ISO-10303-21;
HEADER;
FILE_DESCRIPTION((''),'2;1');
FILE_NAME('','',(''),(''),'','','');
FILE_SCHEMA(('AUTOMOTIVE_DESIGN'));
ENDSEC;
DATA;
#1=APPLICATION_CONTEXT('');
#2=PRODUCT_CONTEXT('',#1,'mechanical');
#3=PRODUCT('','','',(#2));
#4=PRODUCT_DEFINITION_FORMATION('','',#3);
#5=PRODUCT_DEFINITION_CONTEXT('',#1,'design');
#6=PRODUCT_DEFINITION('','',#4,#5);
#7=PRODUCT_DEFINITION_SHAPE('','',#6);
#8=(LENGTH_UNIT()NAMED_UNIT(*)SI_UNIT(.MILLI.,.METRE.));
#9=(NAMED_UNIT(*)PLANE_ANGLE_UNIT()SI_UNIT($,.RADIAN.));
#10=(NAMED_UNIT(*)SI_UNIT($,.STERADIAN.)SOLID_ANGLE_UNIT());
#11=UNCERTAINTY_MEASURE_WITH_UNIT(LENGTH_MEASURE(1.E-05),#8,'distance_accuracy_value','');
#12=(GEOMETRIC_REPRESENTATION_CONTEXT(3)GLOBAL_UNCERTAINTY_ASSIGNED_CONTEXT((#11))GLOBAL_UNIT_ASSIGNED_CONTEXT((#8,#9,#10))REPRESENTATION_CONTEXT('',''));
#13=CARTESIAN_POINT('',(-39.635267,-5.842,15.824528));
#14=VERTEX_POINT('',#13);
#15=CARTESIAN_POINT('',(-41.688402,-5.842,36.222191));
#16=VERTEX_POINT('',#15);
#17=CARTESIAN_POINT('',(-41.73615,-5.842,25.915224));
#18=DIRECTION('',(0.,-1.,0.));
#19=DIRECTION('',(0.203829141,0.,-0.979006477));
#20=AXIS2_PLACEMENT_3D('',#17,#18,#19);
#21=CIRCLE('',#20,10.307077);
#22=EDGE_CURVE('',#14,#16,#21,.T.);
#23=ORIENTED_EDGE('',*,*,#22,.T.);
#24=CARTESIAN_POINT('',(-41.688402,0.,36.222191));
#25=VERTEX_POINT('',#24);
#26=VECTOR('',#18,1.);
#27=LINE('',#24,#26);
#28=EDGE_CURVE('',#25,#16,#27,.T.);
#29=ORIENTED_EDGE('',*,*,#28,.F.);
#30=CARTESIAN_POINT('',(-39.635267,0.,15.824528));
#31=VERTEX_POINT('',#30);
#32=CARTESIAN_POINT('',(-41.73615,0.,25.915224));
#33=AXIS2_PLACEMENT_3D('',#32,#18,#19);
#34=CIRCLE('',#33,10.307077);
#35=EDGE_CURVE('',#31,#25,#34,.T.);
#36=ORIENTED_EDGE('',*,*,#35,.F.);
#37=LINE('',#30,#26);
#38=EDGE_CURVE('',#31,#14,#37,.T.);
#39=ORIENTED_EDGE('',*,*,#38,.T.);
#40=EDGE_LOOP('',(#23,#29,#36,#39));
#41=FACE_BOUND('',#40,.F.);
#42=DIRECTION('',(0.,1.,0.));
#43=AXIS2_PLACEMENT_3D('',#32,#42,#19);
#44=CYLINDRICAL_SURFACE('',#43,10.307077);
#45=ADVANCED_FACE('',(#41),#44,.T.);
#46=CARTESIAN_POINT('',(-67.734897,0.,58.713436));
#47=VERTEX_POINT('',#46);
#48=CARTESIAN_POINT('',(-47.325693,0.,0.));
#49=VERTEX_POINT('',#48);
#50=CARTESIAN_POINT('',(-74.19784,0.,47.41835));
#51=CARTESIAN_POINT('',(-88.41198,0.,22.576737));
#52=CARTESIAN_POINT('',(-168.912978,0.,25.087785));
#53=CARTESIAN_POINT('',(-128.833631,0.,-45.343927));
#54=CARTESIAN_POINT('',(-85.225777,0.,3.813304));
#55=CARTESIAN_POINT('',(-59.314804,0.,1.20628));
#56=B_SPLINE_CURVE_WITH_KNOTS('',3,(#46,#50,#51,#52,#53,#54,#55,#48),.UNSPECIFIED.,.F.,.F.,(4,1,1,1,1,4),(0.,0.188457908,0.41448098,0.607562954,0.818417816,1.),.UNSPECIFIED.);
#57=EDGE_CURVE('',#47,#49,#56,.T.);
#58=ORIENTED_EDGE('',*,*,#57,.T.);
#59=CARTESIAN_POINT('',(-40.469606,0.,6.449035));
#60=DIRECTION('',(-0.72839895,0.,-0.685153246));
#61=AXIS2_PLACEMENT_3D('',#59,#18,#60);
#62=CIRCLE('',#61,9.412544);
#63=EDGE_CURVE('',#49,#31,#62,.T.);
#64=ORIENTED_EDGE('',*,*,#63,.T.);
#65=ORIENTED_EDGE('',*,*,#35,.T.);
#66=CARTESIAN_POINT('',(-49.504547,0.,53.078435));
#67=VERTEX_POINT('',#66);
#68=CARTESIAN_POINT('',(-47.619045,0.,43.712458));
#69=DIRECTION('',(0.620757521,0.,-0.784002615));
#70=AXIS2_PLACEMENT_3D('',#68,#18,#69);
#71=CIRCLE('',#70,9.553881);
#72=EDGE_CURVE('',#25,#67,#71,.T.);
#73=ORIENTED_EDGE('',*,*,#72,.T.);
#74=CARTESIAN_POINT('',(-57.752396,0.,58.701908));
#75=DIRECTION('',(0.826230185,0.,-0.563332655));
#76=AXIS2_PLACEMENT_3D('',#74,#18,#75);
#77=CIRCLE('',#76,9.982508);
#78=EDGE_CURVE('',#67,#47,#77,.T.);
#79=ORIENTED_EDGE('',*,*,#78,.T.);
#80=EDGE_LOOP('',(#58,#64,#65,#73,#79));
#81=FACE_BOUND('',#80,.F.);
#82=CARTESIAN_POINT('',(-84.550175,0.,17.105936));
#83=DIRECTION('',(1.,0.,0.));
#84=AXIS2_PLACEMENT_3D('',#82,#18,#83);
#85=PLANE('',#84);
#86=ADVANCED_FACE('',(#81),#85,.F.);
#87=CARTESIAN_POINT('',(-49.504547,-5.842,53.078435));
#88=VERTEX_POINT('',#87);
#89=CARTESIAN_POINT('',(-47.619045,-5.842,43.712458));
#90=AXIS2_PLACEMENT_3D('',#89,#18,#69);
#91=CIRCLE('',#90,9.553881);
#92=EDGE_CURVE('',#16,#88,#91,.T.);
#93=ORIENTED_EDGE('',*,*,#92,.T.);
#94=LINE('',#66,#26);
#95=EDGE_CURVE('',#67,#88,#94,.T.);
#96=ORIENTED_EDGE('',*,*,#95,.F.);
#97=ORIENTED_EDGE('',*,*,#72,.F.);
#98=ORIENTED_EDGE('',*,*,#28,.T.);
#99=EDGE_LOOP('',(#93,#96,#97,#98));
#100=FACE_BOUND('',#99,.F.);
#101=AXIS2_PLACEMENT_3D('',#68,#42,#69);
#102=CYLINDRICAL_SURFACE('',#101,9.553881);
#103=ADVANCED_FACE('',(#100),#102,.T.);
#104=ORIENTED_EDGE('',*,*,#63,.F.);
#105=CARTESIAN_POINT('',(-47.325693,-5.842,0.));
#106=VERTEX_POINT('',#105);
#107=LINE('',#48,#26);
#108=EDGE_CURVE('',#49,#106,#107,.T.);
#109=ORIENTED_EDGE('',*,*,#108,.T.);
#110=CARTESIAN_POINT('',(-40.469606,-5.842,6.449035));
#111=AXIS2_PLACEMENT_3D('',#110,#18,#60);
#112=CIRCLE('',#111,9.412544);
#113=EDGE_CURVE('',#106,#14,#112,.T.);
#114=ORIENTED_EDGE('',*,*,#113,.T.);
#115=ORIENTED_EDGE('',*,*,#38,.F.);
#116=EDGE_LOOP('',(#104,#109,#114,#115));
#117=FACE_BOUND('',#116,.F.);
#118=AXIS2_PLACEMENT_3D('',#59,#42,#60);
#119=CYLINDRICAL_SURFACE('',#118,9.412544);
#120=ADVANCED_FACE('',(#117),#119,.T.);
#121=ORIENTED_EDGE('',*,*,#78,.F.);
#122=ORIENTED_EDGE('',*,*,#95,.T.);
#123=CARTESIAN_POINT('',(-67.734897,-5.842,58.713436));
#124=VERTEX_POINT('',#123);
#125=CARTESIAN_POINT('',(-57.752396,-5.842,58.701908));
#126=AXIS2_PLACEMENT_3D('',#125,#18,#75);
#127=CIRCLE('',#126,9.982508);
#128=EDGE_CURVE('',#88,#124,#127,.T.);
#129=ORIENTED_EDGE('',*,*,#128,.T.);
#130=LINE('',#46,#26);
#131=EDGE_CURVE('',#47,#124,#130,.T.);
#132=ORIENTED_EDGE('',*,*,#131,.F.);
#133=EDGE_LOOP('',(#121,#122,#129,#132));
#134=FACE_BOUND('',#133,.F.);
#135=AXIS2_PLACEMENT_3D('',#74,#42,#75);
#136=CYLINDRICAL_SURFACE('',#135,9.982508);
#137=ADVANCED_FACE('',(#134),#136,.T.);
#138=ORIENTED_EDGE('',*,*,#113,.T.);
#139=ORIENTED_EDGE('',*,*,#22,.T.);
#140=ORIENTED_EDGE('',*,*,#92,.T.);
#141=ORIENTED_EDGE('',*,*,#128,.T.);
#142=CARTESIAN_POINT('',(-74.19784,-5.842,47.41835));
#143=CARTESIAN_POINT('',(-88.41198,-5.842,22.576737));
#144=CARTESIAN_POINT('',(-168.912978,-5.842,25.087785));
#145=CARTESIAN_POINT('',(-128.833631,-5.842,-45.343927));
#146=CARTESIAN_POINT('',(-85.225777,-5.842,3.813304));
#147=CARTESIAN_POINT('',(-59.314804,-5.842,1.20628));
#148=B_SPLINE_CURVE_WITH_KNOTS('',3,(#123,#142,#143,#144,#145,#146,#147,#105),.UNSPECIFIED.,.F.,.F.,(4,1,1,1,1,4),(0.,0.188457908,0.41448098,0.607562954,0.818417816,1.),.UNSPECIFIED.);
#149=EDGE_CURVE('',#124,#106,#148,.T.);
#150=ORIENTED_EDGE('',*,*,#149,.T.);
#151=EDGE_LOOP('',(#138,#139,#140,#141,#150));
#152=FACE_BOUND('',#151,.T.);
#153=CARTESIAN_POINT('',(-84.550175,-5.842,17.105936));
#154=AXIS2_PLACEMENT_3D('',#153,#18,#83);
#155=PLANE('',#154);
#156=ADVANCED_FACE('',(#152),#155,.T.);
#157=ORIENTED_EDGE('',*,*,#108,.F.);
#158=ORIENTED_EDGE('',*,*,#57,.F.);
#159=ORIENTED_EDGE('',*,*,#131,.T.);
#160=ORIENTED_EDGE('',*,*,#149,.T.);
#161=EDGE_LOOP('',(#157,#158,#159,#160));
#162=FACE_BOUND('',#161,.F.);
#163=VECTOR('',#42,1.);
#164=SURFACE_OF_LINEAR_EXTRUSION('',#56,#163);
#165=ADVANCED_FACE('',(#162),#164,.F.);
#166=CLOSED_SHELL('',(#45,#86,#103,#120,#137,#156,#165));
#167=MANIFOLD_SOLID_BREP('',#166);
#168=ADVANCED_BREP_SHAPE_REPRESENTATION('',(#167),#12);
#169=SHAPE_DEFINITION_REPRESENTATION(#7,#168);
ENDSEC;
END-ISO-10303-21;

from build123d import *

# Parameters (mm, degrees)
F1_DEPTH = 5.842


with BuildPart() as f1:
    # F0 (on Front) → F1 (new body)
    with BuildSketch(Plane.XZ):
        with BuildLine():
            add(Edge.make_bspline(
                [(-67.7348971367, 58.7134361267), (-74.1978403263, 47.4183497398), (-88.4119799563, 22.5767365112), (-168.9129783895, 25.0877849363), (-128.8336311578, -45.3439265685), (-85.225776977, 3.813303837), (-59.314803617, 1.206280212), (-47.3256930709, 0)],
                knots=[0, 0, 0, 0, 0.1884579084, 0.4144809796, 0.6075629541, 0.8184178163, 1, 1, 1, 1], degree=3))
            ThreePointArc((-47.3256930709, 0), (-32.0038339811, 2.3348280317), (-39.6352671087, 15.824528411))
            ThreePointArc((-39.6352671087, 15.824528411), (-31.4808921909, 26.9474709164), (-41.688401924, 36.2221906062))
            ThreePointArc((-41.688401924, 36.2221906062), (-38.9516329467, 47.7314879783), (-49.5045467252, 53.0784348848))
            ThreePointArc((-49.5045467252, 53.0784348848), (-54.8044197353, 68.2391973732), (-67.7348971367, 58.7134361267))
        make_face()
        with BuildLine():
            ThreePointArc((-47.917265445, 34.1632328928), (-44.9710186957, 35.7015135933), (-41.688401924, 36.2221906062))
            ThreePointArc((-41.688401924, 36.2221906062), (-44.6205665857, 34.6413080583), (-47.917265445, 34.1632328928))
        make_face(mode=Mode.SUBTRACT)
        with BuildLine():
            ThreePointArc((-55.6076914072, 48.9525124431), (-52.9697935023, 51.6273889315), (-49.5045467252, 53.0784348848))
            ThreePointArc((-49.5045467252, 53.0784348848), (-52.1615907829, 50.4318797578), (-55.6076914072, 48.9525124431))
        make_face(mode=Mode.SUBTRACT)
        with BuildLine():
            ThreePointArc((-55.6076914072, 48.9525124431), (-52.1615907829, 50.4318797578), (-49.5045467252, 53.0784348848))
            ThreePointArc((-49.5045467252, 53.0784348848), (-52.9697935023, 51.6273889315), (-55.6076914072, 48.9525124431))
        make_face()
        with BuildLine():
            ThreePointArc((-47.917265445, 34.1632328928), (-44.6205665857, 34.6413080583), (-41.688401924, 36.2221906062))
            ThreePointArc((-41.688401924, 36.2221906062), (-44.9710186957, 35.7015135933), (-47.917265445, 34.1632328928))
        make_face()
    extrude(amount=F1_DEPTH)


solid = f1.part
